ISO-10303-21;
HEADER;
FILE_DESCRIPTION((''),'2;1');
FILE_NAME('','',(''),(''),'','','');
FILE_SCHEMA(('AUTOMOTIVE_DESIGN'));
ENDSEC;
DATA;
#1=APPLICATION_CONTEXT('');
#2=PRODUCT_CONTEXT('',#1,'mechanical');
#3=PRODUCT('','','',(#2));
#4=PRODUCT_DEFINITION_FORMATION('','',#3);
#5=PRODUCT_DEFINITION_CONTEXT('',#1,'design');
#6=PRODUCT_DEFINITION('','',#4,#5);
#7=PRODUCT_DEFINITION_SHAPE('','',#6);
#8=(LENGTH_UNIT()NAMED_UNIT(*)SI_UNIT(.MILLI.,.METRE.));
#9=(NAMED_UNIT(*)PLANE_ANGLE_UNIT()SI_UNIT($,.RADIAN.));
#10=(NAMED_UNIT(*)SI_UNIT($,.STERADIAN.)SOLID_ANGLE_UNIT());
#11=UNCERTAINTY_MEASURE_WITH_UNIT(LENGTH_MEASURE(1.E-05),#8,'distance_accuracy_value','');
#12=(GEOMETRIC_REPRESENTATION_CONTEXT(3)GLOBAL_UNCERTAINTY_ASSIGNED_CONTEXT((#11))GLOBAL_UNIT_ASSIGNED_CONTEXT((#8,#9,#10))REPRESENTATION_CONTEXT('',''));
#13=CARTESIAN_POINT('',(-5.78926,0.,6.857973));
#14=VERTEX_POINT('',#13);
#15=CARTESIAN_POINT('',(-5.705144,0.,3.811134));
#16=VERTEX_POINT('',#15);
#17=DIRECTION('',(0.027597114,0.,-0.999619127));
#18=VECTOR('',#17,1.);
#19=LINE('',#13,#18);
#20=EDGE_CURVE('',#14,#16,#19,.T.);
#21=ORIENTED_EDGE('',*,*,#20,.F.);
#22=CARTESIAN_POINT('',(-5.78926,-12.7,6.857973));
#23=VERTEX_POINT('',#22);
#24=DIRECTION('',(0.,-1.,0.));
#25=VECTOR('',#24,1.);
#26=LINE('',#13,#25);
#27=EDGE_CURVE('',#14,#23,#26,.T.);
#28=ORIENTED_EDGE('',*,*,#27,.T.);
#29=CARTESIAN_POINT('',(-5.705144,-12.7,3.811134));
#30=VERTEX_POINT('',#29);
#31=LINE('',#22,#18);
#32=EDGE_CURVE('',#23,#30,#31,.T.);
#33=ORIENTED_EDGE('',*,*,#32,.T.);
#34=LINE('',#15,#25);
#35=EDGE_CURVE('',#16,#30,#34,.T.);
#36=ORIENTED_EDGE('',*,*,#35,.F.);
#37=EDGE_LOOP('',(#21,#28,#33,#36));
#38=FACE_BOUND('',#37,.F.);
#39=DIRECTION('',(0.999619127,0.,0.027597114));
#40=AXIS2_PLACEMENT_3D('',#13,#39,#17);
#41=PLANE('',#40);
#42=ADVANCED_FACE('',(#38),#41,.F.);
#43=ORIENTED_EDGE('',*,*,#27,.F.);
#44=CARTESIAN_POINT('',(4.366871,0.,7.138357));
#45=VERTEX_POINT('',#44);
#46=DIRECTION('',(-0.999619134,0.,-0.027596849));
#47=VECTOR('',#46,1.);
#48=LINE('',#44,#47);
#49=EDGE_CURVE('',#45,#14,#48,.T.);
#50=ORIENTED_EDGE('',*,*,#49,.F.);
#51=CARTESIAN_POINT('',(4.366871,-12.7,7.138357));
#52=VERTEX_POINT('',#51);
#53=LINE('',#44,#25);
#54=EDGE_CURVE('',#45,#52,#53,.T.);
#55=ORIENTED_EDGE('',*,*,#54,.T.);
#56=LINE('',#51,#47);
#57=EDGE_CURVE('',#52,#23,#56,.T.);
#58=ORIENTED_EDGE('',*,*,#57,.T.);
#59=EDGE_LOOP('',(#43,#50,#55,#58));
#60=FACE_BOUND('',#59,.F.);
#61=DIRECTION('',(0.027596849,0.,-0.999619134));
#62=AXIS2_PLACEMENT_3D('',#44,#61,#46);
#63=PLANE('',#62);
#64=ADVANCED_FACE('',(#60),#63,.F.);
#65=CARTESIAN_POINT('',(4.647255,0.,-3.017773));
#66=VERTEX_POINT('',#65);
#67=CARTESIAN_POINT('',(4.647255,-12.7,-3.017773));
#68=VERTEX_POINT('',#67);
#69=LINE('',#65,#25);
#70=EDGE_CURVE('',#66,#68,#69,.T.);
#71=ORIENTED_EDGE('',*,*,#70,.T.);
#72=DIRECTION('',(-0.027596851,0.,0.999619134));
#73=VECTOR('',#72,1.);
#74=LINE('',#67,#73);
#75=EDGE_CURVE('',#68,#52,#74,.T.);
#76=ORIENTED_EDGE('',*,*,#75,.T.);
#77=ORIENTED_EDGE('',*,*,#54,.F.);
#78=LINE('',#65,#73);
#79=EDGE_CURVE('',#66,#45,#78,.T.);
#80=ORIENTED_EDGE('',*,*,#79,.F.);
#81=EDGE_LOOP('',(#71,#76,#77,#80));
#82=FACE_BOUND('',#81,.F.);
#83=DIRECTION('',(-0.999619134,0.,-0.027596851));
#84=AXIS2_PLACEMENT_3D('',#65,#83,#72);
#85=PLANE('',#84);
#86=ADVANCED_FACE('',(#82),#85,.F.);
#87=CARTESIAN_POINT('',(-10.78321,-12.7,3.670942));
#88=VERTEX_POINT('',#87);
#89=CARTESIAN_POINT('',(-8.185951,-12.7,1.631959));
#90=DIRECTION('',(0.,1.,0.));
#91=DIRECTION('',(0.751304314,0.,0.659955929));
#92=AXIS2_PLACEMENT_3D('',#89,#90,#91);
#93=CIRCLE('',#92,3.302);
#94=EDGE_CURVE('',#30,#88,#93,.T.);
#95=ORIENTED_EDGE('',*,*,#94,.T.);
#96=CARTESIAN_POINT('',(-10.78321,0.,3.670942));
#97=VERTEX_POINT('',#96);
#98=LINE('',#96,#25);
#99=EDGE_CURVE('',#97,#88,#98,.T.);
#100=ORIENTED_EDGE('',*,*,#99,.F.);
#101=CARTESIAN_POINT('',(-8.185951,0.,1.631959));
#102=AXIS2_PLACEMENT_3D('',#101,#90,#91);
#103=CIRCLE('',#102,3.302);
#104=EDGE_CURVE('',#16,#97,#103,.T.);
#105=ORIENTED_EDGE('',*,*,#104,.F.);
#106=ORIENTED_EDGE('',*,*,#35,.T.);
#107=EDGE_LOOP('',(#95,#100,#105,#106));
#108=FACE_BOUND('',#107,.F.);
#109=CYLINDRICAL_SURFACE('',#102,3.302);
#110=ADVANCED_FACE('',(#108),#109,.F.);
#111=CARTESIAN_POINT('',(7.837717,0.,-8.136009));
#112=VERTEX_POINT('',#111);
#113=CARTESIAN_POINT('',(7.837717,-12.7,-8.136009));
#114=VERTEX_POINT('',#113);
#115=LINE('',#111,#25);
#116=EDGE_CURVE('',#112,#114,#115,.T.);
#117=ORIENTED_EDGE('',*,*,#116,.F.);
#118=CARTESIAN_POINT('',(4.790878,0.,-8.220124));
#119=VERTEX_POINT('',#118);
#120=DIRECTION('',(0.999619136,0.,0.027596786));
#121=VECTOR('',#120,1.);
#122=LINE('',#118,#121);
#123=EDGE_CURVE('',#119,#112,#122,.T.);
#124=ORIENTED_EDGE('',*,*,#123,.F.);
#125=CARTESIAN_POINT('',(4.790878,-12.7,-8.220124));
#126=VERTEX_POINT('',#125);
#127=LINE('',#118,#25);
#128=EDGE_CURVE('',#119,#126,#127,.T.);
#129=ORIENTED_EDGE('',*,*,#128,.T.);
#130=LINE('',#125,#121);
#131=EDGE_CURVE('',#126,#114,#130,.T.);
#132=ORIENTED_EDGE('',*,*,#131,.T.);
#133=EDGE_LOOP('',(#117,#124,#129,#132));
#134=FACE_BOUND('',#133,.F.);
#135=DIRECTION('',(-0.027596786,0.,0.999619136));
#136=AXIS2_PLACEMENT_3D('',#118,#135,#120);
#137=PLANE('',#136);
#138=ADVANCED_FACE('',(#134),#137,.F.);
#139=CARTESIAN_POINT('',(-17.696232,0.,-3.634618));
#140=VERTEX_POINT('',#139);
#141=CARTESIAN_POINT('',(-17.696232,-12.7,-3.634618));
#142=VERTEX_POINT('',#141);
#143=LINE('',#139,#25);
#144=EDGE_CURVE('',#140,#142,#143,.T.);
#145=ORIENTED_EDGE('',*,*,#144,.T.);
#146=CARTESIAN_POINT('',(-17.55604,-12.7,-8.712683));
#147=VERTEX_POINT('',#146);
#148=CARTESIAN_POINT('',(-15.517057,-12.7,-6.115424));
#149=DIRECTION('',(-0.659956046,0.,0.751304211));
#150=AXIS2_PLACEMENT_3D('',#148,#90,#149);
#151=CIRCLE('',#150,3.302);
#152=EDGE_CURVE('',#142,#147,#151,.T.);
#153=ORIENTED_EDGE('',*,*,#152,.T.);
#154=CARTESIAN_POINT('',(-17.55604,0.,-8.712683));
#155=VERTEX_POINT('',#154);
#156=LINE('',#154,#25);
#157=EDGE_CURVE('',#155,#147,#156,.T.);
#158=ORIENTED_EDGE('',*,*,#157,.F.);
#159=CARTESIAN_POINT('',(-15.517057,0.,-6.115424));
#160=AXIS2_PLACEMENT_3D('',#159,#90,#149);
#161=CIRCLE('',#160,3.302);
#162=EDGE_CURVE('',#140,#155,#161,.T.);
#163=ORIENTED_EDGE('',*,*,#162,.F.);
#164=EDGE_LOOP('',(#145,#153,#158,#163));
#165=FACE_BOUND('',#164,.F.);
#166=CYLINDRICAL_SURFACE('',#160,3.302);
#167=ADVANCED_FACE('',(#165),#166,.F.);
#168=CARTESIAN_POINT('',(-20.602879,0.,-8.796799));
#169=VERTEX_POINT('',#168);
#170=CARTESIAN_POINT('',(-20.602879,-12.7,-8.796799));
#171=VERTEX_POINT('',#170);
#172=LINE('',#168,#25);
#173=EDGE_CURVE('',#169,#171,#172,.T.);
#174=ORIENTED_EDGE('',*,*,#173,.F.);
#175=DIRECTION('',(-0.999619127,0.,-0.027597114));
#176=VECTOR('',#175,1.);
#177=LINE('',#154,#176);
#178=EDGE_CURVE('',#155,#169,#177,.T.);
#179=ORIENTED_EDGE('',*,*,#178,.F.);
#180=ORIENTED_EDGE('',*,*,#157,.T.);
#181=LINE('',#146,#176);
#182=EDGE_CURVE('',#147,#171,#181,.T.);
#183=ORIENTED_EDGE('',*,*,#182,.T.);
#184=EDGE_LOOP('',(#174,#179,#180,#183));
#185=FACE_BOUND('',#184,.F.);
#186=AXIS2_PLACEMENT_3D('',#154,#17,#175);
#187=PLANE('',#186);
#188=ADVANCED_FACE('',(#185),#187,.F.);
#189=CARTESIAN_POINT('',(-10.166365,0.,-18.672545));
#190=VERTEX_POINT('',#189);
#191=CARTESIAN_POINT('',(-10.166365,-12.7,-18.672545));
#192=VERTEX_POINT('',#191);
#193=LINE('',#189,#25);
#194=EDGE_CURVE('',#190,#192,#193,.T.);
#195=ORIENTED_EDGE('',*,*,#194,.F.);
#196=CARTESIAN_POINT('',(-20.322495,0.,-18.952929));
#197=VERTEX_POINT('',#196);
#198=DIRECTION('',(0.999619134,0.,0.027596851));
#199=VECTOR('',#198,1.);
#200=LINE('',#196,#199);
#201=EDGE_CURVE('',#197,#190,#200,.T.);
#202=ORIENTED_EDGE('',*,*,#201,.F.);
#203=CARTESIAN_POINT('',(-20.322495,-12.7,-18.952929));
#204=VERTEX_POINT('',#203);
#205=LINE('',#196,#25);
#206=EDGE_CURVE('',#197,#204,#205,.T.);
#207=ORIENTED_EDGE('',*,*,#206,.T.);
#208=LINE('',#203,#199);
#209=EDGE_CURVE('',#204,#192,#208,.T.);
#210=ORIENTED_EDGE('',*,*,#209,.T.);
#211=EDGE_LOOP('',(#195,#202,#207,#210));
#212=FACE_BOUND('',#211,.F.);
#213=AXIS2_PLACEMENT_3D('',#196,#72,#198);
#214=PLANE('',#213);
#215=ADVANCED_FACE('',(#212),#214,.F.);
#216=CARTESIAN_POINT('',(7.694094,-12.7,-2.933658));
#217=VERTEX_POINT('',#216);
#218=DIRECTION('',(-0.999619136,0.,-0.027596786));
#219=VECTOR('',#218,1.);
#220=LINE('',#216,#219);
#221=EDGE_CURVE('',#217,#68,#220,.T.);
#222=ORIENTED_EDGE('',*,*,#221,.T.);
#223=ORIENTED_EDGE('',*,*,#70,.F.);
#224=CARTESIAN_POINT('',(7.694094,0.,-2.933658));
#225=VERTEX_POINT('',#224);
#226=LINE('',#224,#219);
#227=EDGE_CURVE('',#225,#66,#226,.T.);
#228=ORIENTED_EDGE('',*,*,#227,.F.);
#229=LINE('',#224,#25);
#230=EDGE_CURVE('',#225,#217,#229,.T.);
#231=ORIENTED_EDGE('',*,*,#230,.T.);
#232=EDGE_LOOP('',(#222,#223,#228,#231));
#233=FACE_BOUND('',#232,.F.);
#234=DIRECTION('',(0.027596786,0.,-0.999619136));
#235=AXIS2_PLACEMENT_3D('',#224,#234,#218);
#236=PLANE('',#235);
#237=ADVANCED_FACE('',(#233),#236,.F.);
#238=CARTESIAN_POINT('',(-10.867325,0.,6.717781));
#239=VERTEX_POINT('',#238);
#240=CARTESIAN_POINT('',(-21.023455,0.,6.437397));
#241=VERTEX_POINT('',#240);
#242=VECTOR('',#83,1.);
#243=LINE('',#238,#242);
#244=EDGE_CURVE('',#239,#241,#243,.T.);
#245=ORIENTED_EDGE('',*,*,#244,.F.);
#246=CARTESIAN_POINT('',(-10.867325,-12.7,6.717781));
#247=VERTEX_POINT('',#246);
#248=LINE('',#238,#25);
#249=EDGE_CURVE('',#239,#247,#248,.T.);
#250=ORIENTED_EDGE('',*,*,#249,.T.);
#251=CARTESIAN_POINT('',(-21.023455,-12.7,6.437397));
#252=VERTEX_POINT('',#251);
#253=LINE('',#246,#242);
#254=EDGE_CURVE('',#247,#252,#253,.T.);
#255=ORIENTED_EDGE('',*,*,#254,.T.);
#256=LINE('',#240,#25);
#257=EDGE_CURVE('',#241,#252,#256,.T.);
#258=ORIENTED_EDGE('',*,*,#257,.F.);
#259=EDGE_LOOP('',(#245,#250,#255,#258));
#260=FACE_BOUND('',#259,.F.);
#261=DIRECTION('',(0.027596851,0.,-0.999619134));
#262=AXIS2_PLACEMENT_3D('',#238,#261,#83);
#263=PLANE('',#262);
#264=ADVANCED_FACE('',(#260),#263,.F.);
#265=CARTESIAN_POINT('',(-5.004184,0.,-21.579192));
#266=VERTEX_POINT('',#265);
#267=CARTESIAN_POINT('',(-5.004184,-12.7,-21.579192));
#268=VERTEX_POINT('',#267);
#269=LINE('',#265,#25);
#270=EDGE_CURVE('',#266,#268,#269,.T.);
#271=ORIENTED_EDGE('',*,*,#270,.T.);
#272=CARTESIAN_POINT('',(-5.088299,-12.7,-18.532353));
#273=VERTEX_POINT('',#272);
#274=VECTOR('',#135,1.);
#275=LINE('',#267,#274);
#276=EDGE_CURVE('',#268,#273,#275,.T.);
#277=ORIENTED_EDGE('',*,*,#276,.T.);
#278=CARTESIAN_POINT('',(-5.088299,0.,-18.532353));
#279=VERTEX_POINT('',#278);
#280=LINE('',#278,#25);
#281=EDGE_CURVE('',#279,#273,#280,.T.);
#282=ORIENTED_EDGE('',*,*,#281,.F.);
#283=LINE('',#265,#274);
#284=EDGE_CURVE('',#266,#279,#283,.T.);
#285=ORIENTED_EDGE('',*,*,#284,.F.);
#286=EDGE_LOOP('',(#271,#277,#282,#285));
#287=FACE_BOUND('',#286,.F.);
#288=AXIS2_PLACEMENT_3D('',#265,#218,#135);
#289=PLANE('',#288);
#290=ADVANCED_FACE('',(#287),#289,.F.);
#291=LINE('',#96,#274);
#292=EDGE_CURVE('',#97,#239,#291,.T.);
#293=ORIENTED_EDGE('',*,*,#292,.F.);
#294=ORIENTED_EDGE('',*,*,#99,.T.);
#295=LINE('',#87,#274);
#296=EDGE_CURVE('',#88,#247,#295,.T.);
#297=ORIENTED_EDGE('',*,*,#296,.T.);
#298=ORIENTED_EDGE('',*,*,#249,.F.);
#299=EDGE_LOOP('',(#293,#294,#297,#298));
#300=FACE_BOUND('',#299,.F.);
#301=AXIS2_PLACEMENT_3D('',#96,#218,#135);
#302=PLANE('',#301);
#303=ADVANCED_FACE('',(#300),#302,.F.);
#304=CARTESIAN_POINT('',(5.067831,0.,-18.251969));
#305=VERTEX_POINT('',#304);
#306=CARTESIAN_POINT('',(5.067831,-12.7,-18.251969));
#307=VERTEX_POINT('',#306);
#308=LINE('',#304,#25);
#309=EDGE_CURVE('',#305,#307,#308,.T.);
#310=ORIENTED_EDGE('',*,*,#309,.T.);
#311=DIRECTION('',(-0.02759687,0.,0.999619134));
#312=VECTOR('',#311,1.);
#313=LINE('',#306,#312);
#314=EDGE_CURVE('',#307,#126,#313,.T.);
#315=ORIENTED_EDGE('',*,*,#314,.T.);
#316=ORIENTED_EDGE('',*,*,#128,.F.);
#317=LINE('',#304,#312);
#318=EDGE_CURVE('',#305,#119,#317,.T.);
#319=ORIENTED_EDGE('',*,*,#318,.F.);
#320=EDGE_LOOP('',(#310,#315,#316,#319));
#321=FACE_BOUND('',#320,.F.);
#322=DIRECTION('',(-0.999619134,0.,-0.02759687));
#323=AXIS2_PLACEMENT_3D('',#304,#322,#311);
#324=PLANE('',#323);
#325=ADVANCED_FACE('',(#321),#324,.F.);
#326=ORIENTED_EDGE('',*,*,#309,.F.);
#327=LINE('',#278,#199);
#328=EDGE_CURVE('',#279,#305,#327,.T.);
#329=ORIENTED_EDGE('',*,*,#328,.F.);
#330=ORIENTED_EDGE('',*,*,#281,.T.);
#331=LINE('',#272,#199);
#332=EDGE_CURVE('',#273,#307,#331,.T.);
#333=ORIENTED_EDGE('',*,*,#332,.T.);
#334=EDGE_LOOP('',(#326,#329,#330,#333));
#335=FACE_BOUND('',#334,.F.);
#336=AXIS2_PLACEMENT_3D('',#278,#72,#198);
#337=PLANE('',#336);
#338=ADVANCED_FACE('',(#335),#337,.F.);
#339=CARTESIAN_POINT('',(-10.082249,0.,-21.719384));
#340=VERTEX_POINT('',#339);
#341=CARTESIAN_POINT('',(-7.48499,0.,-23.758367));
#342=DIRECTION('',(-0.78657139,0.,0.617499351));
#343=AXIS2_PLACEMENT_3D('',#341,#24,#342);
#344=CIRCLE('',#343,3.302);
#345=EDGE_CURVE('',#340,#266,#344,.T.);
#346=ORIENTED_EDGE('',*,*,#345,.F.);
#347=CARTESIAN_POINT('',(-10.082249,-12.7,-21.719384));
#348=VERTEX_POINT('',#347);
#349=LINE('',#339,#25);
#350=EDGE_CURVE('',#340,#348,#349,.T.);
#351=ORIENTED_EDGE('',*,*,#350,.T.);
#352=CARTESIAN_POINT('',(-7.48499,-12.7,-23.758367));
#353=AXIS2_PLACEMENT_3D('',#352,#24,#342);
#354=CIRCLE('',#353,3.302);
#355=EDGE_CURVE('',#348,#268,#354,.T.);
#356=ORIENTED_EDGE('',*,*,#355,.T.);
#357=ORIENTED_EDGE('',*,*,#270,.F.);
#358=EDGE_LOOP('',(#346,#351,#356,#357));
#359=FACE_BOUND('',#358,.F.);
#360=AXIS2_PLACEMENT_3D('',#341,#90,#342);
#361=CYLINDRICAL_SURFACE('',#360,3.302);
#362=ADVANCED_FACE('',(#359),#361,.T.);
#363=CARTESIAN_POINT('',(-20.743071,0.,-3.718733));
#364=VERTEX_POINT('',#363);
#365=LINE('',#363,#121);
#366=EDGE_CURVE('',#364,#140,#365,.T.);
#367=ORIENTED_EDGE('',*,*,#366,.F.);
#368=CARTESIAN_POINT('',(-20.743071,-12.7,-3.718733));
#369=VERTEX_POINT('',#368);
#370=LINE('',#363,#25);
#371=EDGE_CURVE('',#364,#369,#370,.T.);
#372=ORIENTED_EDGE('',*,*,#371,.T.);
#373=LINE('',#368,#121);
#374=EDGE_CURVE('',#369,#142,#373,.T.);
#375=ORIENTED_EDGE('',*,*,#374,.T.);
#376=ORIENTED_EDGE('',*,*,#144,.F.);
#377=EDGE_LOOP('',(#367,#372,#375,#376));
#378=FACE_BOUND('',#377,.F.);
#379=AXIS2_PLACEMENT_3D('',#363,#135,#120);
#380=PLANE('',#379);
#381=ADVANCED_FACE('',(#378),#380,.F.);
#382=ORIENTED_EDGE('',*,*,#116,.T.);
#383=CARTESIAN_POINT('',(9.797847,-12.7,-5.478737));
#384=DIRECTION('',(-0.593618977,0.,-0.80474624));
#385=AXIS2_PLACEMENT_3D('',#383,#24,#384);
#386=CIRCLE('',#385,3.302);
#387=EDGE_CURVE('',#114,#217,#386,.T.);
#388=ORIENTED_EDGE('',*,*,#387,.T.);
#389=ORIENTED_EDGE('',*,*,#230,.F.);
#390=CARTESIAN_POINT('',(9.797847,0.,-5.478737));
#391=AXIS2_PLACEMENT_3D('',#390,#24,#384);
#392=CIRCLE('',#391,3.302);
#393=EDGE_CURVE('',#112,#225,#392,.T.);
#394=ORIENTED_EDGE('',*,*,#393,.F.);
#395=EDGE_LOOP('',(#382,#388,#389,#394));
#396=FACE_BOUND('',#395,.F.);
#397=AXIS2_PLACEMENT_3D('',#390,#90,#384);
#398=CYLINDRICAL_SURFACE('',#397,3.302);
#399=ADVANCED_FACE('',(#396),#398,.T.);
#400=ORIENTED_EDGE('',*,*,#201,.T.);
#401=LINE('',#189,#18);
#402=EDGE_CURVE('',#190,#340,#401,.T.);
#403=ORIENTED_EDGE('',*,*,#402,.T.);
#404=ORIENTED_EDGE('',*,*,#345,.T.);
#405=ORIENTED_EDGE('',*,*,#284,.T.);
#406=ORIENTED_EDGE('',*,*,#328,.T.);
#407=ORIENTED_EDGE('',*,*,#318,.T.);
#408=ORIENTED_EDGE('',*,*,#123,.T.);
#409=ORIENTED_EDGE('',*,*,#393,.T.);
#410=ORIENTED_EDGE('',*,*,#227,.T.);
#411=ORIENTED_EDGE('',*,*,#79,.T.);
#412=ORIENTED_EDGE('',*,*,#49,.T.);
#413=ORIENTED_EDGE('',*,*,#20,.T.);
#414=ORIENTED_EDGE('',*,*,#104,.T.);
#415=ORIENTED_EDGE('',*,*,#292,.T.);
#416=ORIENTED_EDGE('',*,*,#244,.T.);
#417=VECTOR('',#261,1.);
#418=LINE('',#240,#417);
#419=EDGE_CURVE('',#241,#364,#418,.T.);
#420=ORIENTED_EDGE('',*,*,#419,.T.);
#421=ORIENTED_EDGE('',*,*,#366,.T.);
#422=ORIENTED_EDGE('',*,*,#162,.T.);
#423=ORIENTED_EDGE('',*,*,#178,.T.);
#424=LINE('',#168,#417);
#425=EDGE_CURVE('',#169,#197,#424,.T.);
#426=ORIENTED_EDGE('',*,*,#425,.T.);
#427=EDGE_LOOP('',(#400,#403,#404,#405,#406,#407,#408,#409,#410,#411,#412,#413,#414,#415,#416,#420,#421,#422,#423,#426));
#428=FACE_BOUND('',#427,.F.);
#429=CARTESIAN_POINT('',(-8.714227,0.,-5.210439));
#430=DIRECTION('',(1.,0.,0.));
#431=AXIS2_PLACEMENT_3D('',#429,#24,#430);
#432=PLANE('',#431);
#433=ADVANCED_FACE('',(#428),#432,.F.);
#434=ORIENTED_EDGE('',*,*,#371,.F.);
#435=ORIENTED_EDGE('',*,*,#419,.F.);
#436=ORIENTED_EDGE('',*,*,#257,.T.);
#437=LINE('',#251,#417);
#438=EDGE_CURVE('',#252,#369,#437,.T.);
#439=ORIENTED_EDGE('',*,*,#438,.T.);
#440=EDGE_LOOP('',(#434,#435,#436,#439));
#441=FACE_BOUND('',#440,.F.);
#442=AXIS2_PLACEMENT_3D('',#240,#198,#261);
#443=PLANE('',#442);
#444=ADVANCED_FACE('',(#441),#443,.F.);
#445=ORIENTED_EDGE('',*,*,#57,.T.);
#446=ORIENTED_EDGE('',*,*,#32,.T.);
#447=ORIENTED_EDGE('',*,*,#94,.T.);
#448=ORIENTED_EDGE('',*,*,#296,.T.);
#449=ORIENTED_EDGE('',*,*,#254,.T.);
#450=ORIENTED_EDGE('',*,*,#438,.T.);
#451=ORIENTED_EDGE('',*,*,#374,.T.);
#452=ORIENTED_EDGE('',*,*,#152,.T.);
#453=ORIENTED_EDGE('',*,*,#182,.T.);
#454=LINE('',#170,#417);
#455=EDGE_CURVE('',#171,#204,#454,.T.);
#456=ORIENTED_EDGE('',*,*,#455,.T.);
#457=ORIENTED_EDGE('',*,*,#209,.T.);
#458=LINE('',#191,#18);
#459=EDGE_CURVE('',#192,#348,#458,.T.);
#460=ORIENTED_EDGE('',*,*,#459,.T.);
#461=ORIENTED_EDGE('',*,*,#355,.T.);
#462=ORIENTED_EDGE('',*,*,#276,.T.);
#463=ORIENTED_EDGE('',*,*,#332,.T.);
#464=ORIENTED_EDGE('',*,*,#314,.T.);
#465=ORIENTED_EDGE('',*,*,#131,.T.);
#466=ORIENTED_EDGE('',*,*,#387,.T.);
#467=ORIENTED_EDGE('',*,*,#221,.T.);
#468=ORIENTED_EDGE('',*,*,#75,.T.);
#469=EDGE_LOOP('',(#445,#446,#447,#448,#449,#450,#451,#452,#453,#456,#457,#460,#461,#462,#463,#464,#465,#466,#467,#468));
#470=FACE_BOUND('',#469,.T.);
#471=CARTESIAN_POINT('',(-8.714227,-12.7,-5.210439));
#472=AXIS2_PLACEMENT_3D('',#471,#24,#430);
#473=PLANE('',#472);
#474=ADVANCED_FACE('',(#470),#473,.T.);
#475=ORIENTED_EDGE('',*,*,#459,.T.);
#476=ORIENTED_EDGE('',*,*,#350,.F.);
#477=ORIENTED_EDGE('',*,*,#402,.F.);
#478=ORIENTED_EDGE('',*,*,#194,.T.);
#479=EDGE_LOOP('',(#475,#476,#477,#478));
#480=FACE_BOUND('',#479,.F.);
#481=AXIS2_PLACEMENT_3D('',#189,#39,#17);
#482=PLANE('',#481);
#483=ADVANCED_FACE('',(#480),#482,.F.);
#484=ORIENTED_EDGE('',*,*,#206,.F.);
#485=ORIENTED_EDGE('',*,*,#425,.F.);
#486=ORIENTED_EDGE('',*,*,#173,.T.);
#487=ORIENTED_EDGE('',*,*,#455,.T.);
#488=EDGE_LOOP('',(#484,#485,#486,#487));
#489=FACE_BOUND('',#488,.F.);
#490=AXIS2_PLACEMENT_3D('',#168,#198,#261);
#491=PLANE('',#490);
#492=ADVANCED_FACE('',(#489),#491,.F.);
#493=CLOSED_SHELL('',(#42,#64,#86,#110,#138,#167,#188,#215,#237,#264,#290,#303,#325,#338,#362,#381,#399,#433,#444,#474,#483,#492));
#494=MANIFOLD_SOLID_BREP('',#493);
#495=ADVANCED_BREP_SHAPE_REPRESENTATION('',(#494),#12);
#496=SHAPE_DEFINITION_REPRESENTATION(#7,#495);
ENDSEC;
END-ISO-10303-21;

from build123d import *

# Parameters (mm, degrees)
F1_DEPTH = 12.7


with BuildPart() as f1:
    # F0 (on Front) → F1 (new body)
    with BuildSketch(Plane.XZ):
        with BuildLine():
            Line((-10.867325, 6.717781), (-21.023455, 6.437397))
            Line((-21.023455, 6.437397), (-20.743071, -3.718733))
            Line((-20.743071, -3.718733), (-17.696232, -3.634618))
            ThreePointArc((-17.696232, -3.634618), (-12.216315, -6.0243), (-17.55604, -8.712683))
            Line((-17.55604, -8.712683), (-20.602879, -8.796799))
            Line((-20.602879, -8.796799), (-20.322495, -18.952929))
            Line((-20.322495, -18.952929), (-10.166365, -18.672545))
            Line((-10.166365, -18.672545), (-5.088299, -18.532353))
            Line((-5.088299, -18.532353), (5.067831, -18.251969))
            Line((5.067831, -18.251969), (4.790878, -8.220124))
            Line((4.790878, -8.220124), (4.647255, -3.017773))
            Line((4.647255, -3.017773), (4.366871, 7.138357))
            Line((4.366871, 7.138357), (-5.78926, 6.857973))
            Line((-5.78926, 6.857973), (-5.705144, 3.811134))
            ThreePointArc((-5.705144, 3.811134), (-8.094826, -1.668783), (-10.78321, 3.670942))
            Line((-10.78321, 3.670942), (-10.867325, 6.717781))
        make_face()
        with BuildLine():
            Line((-5.088299, -18.532353), (-10.166365, -18.672545))
            Line((-10.166365, -18.672545), (-10.082249, -21.719384))
            ThreePointArc((-10.082249, -21.719384), (-7.393866, -27.059109), (-5.004184, -21.579192))
            Line((-5.004184, -21.579192), (-5.088299, -18.532353))
        make_face()
        with BuildLine():
            Line((7.694094, -2.933658), (4.647255, -3.017773))
            Line((4.647255, -3.017773), (4.790878, -8.220124))
            Line((4.790878, -8.220124), (7.837717, -8.136009))
            ThreePointArc((7.837717, -8.136009), (13.098589, -5.387612), (7.694094, -2.933658))
        make_face()
    extrude(amount=F1_DEPTH)


solid = f1.part
